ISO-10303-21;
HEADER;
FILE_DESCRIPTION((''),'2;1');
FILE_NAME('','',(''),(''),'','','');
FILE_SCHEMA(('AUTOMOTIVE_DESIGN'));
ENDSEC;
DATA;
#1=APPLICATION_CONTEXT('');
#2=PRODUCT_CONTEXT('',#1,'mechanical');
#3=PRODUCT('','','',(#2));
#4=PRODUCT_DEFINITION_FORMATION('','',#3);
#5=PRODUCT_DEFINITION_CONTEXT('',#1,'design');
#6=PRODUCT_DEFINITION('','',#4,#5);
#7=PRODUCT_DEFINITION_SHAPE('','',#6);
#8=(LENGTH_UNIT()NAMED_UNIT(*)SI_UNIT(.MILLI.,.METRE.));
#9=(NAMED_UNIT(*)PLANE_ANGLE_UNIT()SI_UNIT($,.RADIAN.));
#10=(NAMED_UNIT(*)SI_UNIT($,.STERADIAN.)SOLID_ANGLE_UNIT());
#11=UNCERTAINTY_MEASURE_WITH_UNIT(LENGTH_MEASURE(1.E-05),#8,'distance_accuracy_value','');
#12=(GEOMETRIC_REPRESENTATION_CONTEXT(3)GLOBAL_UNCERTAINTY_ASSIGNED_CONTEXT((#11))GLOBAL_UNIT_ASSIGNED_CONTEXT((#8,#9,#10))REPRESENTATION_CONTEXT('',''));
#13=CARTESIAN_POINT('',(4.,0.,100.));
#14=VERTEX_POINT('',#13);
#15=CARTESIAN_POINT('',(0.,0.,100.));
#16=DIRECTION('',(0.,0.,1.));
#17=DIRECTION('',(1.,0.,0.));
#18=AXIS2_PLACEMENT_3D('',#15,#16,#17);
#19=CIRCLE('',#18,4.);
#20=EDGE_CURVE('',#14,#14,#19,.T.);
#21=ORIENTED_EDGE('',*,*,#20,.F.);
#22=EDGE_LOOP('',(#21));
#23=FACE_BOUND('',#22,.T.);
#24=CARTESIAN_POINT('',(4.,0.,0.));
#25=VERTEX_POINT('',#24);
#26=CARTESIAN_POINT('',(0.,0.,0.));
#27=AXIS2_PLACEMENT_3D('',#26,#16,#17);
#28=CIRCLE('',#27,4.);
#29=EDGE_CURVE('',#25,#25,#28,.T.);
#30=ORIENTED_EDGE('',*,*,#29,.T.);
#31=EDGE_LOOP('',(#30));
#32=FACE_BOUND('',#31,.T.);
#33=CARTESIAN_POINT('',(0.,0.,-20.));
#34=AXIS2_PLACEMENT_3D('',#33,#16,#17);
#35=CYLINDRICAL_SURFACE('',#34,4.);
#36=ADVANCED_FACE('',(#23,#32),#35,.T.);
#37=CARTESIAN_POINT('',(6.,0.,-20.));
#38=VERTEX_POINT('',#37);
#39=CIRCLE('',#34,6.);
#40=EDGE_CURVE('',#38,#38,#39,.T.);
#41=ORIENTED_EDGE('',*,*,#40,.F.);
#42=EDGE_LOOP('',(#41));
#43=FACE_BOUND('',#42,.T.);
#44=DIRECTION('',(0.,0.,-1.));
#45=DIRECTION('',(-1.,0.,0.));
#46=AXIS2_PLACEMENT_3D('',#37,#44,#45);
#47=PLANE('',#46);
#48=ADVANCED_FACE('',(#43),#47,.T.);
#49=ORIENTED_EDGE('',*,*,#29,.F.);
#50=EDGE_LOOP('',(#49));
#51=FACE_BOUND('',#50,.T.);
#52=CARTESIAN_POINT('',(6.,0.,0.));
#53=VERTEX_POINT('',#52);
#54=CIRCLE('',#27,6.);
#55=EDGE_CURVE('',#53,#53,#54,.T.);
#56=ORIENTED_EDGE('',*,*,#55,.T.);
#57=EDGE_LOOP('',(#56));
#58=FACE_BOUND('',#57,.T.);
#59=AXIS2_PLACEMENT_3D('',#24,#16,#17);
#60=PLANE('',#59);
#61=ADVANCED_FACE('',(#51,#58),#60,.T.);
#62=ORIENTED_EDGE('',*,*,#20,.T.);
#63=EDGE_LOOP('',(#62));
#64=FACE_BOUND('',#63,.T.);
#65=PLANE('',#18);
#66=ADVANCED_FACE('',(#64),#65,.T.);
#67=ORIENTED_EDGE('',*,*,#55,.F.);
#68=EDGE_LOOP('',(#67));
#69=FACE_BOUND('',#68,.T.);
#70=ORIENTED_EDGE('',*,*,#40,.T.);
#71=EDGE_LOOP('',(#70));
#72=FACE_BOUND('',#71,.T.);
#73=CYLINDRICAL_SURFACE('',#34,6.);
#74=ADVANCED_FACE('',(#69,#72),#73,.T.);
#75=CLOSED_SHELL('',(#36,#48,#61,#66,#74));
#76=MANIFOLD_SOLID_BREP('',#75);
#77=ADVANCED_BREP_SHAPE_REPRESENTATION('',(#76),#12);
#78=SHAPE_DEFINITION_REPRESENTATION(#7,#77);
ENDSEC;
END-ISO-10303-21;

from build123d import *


with BuildPart() as part:
    # Sketch1 → Revolve1 (revolve)
    with BuildSketch(Plane(origin=(0, 0, 0), x_dir=(1, 0, 0), z_dir=(0, 1, 0))):
        Polygon((6, 20), (0, 20), (0, -100), (4, -100), (4, 0), (6, 0), align=None)
    revolve(axis=Axis((0, 0, -20), (0, 0, 1)))


solid = part.part
